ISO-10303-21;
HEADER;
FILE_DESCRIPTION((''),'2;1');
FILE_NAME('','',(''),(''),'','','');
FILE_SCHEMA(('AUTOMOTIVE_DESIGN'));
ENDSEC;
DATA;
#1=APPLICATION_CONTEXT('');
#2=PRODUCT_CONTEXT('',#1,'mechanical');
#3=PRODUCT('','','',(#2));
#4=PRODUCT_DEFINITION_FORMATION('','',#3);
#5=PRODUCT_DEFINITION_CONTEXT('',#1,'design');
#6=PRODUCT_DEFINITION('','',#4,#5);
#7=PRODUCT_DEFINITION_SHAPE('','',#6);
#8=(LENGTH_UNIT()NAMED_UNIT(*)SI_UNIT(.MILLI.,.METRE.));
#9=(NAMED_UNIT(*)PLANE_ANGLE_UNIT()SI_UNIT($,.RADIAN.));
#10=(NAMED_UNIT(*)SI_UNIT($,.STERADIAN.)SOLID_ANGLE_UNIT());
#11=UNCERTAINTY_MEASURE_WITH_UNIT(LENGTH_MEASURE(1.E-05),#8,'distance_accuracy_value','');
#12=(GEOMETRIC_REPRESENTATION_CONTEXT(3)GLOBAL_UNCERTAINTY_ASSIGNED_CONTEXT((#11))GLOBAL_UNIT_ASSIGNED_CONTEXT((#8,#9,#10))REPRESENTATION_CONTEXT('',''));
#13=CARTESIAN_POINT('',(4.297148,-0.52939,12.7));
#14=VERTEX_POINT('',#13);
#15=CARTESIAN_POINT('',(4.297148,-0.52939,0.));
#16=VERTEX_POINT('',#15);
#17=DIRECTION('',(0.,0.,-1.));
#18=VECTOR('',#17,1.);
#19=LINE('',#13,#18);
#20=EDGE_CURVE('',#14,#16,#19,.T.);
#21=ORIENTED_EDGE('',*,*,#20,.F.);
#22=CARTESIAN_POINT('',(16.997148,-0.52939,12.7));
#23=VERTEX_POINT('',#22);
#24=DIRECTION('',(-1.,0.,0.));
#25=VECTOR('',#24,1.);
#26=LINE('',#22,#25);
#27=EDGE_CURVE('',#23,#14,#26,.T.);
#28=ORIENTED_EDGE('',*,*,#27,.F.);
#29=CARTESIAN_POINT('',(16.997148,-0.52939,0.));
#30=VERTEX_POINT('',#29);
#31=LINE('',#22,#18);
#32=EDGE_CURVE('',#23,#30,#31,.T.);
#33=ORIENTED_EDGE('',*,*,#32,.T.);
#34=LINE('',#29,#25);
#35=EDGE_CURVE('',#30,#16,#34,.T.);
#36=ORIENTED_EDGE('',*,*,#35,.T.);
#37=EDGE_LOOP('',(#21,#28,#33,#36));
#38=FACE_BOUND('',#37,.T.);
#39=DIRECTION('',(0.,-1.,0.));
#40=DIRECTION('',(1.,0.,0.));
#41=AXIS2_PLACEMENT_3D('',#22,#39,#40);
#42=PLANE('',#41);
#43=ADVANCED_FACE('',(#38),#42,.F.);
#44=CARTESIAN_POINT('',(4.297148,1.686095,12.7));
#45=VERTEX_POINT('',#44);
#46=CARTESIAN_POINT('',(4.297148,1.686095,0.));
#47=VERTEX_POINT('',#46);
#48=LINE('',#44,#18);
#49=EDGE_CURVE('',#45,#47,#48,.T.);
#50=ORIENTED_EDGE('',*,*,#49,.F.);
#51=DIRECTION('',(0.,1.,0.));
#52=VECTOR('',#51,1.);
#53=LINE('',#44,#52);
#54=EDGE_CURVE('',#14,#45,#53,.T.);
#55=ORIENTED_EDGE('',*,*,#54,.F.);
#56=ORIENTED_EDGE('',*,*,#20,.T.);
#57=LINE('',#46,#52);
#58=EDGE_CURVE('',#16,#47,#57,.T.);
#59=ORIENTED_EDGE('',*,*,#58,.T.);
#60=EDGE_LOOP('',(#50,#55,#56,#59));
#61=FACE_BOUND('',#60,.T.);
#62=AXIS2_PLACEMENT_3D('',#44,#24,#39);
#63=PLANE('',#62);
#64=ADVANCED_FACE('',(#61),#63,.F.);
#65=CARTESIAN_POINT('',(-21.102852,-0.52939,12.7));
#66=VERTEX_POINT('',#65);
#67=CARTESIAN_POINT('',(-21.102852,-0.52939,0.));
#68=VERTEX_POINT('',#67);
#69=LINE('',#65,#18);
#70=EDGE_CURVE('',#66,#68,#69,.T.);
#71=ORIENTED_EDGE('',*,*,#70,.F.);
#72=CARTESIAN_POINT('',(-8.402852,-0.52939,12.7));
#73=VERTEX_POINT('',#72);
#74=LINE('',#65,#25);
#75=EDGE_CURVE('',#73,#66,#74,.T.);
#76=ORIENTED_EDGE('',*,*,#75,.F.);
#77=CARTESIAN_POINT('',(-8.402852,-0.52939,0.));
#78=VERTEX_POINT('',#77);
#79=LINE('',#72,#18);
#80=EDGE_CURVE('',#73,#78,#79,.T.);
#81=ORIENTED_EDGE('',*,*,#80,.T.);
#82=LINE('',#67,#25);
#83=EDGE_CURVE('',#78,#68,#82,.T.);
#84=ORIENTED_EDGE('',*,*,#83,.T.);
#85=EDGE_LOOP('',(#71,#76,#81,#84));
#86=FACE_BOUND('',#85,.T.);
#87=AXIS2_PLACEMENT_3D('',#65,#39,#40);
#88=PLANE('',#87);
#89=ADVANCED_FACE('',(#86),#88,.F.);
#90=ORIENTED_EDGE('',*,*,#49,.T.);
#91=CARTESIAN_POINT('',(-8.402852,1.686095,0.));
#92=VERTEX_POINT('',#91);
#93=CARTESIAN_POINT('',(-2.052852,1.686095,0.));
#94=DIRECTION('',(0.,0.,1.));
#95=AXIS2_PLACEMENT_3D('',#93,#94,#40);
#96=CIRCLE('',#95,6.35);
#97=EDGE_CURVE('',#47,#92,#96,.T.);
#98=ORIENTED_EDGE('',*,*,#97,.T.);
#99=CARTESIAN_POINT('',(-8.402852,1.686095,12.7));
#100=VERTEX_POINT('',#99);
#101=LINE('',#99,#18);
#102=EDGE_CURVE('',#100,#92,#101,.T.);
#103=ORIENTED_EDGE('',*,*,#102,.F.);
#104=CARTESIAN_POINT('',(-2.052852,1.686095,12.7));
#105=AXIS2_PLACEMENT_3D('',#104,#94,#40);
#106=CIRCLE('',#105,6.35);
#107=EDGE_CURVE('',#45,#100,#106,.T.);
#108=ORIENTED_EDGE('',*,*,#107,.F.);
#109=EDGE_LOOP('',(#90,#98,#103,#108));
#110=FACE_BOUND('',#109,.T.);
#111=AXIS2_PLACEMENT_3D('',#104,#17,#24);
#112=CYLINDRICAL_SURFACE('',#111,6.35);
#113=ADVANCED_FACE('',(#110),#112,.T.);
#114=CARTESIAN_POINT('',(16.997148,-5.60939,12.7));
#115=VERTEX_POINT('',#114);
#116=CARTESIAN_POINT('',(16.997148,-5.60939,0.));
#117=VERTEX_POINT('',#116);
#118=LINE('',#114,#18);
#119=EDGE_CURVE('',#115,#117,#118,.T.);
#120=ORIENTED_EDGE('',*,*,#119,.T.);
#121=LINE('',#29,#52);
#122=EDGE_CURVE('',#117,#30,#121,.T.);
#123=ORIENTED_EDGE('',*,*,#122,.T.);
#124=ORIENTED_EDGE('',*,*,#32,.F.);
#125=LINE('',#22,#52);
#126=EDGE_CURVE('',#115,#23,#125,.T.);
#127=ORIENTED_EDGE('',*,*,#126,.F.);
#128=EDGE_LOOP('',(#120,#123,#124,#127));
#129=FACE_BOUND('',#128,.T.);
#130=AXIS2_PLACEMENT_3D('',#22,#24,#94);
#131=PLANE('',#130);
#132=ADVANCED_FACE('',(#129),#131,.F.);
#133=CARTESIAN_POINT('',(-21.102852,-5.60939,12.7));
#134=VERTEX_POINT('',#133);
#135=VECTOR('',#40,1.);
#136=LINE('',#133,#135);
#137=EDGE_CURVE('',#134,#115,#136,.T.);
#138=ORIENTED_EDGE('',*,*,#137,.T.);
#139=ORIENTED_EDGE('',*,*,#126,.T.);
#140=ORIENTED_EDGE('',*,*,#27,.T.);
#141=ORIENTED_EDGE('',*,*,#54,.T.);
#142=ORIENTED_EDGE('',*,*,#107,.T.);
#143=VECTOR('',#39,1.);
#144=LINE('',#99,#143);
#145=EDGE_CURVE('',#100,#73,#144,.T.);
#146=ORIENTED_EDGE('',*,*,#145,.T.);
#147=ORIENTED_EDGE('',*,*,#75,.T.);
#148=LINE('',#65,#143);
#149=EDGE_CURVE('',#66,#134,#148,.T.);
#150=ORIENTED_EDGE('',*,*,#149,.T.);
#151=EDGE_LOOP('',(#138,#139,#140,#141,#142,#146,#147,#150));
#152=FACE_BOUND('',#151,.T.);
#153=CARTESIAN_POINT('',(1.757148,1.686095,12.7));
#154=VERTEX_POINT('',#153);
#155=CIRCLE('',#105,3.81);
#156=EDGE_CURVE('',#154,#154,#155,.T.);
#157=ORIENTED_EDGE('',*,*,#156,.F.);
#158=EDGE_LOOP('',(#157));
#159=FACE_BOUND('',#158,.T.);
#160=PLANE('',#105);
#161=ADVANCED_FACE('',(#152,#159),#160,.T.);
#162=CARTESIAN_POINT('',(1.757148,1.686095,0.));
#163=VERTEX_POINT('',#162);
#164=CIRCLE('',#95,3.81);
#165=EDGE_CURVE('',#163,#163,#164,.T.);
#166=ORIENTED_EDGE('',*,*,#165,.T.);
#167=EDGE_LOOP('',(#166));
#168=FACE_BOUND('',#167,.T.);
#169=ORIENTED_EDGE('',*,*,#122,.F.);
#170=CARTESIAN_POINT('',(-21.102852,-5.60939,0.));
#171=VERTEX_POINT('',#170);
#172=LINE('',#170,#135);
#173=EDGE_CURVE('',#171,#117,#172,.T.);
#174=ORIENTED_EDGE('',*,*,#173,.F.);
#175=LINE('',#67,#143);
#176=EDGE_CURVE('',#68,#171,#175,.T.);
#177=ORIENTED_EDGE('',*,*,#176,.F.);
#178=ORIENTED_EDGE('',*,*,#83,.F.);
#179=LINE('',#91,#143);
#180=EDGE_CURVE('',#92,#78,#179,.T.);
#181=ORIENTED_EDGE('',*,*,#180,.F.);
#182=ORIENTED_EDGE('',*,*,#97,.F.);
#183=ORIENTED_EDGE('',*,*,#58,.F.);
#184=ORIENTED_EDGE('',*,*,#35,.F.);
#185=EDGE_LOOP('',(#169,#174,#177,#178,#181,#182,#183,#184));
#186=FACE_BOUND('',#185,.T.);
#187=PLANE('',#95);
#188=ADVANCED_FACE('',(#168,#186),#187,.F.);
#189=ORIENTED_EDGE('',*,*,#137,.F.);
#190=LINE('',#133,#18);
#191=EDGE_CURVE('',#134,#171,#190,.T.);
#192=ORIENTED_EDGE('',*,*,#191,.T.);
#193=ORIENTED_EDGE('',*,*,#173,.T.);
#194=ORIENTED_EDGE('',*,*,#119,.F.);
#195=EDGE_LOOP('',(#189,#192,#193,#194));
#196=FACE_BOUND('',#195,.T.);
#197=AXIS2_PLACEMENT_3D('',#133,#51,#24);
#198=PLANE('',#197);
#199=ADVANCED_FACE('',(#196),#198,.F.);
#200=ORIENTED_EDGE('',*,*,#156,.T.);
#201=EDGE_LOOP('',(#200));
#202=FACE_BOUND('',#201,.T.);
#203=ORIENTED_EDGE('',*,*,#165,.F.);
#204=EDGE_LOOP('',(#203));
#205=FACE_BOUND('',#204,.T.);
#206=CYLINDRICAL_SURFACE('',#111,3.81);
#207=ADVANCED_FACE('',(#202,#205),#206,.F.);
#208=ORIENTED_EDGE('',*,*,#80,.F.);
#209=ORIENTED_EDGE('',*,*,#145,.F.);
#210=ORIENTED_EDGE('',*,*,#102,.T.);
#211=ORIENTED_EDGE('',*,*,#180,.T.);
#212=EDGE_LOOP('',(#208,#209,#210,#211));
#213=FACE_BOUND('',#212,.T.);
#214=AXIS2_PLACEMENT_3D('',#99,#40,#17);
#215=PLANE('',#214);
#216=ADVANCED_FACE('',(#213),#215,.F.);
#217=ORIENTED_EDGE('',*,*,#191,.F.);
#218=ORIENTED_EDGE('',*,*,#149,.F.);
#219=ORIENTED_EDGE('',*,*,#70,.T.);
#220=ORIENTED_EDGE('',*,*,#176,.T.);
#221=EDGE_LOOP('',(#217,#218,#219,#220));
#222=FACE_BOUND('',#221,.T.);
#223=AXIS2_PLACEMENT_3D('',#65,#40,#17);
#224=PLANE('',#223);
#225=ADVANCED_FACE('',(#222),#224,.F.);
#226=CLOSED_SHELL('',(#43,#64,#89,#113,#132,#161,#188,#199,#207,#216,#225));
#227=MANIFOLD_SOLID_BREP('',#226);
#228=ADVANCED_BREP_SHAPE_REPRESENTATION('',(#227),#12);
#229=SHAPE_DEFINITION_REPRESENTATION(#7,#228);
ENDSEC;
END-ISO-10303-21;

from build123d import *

# Parameters (mm, degrees)
SKETCH1_R           = 3.81
BOSS_EXTRUDE1_DEPTH = 12.7


with BuildPart() as part:
    # Sketch1 → Boss-Extrude1 (new body)
    with BuildSketch(Plane.XY):
        with BuildLine():
            Line((-21.102851537, -0.529390312), (-21.102851537, -5.609390312))
            Line((-21.102851537, -5.609390312), (16.997148463, -5.609390312))
            Line((16.997148463, -5.609390312), (16.997148463, -0.529390312))
            Line((16.997148463, -0.529390312), (4.297148463, -0.529390312))
            Line((4.297148463, -0.529390312), (4.297148463, 1.686095421))
            ThreePointArc((4.297148463, 1.686095421), (-2.052851537, 8.036095421), (-8.402851537, 1.686095421))
            Line((-8.402851537, 1.686095421), (-8.402851537, -0.529390312))
            Line((-8.402851537, -0.529390312), (-21.102851537, -0.529390312))
        make_face()
        with Locations((-2.052851537, 1.686095421)):
            Circle(SKETCH1_R, mode=Mode.SUBTRACT)
    extrude(amount=BOSS_EXTRUDE1_DEPTH)


solid = part.part
